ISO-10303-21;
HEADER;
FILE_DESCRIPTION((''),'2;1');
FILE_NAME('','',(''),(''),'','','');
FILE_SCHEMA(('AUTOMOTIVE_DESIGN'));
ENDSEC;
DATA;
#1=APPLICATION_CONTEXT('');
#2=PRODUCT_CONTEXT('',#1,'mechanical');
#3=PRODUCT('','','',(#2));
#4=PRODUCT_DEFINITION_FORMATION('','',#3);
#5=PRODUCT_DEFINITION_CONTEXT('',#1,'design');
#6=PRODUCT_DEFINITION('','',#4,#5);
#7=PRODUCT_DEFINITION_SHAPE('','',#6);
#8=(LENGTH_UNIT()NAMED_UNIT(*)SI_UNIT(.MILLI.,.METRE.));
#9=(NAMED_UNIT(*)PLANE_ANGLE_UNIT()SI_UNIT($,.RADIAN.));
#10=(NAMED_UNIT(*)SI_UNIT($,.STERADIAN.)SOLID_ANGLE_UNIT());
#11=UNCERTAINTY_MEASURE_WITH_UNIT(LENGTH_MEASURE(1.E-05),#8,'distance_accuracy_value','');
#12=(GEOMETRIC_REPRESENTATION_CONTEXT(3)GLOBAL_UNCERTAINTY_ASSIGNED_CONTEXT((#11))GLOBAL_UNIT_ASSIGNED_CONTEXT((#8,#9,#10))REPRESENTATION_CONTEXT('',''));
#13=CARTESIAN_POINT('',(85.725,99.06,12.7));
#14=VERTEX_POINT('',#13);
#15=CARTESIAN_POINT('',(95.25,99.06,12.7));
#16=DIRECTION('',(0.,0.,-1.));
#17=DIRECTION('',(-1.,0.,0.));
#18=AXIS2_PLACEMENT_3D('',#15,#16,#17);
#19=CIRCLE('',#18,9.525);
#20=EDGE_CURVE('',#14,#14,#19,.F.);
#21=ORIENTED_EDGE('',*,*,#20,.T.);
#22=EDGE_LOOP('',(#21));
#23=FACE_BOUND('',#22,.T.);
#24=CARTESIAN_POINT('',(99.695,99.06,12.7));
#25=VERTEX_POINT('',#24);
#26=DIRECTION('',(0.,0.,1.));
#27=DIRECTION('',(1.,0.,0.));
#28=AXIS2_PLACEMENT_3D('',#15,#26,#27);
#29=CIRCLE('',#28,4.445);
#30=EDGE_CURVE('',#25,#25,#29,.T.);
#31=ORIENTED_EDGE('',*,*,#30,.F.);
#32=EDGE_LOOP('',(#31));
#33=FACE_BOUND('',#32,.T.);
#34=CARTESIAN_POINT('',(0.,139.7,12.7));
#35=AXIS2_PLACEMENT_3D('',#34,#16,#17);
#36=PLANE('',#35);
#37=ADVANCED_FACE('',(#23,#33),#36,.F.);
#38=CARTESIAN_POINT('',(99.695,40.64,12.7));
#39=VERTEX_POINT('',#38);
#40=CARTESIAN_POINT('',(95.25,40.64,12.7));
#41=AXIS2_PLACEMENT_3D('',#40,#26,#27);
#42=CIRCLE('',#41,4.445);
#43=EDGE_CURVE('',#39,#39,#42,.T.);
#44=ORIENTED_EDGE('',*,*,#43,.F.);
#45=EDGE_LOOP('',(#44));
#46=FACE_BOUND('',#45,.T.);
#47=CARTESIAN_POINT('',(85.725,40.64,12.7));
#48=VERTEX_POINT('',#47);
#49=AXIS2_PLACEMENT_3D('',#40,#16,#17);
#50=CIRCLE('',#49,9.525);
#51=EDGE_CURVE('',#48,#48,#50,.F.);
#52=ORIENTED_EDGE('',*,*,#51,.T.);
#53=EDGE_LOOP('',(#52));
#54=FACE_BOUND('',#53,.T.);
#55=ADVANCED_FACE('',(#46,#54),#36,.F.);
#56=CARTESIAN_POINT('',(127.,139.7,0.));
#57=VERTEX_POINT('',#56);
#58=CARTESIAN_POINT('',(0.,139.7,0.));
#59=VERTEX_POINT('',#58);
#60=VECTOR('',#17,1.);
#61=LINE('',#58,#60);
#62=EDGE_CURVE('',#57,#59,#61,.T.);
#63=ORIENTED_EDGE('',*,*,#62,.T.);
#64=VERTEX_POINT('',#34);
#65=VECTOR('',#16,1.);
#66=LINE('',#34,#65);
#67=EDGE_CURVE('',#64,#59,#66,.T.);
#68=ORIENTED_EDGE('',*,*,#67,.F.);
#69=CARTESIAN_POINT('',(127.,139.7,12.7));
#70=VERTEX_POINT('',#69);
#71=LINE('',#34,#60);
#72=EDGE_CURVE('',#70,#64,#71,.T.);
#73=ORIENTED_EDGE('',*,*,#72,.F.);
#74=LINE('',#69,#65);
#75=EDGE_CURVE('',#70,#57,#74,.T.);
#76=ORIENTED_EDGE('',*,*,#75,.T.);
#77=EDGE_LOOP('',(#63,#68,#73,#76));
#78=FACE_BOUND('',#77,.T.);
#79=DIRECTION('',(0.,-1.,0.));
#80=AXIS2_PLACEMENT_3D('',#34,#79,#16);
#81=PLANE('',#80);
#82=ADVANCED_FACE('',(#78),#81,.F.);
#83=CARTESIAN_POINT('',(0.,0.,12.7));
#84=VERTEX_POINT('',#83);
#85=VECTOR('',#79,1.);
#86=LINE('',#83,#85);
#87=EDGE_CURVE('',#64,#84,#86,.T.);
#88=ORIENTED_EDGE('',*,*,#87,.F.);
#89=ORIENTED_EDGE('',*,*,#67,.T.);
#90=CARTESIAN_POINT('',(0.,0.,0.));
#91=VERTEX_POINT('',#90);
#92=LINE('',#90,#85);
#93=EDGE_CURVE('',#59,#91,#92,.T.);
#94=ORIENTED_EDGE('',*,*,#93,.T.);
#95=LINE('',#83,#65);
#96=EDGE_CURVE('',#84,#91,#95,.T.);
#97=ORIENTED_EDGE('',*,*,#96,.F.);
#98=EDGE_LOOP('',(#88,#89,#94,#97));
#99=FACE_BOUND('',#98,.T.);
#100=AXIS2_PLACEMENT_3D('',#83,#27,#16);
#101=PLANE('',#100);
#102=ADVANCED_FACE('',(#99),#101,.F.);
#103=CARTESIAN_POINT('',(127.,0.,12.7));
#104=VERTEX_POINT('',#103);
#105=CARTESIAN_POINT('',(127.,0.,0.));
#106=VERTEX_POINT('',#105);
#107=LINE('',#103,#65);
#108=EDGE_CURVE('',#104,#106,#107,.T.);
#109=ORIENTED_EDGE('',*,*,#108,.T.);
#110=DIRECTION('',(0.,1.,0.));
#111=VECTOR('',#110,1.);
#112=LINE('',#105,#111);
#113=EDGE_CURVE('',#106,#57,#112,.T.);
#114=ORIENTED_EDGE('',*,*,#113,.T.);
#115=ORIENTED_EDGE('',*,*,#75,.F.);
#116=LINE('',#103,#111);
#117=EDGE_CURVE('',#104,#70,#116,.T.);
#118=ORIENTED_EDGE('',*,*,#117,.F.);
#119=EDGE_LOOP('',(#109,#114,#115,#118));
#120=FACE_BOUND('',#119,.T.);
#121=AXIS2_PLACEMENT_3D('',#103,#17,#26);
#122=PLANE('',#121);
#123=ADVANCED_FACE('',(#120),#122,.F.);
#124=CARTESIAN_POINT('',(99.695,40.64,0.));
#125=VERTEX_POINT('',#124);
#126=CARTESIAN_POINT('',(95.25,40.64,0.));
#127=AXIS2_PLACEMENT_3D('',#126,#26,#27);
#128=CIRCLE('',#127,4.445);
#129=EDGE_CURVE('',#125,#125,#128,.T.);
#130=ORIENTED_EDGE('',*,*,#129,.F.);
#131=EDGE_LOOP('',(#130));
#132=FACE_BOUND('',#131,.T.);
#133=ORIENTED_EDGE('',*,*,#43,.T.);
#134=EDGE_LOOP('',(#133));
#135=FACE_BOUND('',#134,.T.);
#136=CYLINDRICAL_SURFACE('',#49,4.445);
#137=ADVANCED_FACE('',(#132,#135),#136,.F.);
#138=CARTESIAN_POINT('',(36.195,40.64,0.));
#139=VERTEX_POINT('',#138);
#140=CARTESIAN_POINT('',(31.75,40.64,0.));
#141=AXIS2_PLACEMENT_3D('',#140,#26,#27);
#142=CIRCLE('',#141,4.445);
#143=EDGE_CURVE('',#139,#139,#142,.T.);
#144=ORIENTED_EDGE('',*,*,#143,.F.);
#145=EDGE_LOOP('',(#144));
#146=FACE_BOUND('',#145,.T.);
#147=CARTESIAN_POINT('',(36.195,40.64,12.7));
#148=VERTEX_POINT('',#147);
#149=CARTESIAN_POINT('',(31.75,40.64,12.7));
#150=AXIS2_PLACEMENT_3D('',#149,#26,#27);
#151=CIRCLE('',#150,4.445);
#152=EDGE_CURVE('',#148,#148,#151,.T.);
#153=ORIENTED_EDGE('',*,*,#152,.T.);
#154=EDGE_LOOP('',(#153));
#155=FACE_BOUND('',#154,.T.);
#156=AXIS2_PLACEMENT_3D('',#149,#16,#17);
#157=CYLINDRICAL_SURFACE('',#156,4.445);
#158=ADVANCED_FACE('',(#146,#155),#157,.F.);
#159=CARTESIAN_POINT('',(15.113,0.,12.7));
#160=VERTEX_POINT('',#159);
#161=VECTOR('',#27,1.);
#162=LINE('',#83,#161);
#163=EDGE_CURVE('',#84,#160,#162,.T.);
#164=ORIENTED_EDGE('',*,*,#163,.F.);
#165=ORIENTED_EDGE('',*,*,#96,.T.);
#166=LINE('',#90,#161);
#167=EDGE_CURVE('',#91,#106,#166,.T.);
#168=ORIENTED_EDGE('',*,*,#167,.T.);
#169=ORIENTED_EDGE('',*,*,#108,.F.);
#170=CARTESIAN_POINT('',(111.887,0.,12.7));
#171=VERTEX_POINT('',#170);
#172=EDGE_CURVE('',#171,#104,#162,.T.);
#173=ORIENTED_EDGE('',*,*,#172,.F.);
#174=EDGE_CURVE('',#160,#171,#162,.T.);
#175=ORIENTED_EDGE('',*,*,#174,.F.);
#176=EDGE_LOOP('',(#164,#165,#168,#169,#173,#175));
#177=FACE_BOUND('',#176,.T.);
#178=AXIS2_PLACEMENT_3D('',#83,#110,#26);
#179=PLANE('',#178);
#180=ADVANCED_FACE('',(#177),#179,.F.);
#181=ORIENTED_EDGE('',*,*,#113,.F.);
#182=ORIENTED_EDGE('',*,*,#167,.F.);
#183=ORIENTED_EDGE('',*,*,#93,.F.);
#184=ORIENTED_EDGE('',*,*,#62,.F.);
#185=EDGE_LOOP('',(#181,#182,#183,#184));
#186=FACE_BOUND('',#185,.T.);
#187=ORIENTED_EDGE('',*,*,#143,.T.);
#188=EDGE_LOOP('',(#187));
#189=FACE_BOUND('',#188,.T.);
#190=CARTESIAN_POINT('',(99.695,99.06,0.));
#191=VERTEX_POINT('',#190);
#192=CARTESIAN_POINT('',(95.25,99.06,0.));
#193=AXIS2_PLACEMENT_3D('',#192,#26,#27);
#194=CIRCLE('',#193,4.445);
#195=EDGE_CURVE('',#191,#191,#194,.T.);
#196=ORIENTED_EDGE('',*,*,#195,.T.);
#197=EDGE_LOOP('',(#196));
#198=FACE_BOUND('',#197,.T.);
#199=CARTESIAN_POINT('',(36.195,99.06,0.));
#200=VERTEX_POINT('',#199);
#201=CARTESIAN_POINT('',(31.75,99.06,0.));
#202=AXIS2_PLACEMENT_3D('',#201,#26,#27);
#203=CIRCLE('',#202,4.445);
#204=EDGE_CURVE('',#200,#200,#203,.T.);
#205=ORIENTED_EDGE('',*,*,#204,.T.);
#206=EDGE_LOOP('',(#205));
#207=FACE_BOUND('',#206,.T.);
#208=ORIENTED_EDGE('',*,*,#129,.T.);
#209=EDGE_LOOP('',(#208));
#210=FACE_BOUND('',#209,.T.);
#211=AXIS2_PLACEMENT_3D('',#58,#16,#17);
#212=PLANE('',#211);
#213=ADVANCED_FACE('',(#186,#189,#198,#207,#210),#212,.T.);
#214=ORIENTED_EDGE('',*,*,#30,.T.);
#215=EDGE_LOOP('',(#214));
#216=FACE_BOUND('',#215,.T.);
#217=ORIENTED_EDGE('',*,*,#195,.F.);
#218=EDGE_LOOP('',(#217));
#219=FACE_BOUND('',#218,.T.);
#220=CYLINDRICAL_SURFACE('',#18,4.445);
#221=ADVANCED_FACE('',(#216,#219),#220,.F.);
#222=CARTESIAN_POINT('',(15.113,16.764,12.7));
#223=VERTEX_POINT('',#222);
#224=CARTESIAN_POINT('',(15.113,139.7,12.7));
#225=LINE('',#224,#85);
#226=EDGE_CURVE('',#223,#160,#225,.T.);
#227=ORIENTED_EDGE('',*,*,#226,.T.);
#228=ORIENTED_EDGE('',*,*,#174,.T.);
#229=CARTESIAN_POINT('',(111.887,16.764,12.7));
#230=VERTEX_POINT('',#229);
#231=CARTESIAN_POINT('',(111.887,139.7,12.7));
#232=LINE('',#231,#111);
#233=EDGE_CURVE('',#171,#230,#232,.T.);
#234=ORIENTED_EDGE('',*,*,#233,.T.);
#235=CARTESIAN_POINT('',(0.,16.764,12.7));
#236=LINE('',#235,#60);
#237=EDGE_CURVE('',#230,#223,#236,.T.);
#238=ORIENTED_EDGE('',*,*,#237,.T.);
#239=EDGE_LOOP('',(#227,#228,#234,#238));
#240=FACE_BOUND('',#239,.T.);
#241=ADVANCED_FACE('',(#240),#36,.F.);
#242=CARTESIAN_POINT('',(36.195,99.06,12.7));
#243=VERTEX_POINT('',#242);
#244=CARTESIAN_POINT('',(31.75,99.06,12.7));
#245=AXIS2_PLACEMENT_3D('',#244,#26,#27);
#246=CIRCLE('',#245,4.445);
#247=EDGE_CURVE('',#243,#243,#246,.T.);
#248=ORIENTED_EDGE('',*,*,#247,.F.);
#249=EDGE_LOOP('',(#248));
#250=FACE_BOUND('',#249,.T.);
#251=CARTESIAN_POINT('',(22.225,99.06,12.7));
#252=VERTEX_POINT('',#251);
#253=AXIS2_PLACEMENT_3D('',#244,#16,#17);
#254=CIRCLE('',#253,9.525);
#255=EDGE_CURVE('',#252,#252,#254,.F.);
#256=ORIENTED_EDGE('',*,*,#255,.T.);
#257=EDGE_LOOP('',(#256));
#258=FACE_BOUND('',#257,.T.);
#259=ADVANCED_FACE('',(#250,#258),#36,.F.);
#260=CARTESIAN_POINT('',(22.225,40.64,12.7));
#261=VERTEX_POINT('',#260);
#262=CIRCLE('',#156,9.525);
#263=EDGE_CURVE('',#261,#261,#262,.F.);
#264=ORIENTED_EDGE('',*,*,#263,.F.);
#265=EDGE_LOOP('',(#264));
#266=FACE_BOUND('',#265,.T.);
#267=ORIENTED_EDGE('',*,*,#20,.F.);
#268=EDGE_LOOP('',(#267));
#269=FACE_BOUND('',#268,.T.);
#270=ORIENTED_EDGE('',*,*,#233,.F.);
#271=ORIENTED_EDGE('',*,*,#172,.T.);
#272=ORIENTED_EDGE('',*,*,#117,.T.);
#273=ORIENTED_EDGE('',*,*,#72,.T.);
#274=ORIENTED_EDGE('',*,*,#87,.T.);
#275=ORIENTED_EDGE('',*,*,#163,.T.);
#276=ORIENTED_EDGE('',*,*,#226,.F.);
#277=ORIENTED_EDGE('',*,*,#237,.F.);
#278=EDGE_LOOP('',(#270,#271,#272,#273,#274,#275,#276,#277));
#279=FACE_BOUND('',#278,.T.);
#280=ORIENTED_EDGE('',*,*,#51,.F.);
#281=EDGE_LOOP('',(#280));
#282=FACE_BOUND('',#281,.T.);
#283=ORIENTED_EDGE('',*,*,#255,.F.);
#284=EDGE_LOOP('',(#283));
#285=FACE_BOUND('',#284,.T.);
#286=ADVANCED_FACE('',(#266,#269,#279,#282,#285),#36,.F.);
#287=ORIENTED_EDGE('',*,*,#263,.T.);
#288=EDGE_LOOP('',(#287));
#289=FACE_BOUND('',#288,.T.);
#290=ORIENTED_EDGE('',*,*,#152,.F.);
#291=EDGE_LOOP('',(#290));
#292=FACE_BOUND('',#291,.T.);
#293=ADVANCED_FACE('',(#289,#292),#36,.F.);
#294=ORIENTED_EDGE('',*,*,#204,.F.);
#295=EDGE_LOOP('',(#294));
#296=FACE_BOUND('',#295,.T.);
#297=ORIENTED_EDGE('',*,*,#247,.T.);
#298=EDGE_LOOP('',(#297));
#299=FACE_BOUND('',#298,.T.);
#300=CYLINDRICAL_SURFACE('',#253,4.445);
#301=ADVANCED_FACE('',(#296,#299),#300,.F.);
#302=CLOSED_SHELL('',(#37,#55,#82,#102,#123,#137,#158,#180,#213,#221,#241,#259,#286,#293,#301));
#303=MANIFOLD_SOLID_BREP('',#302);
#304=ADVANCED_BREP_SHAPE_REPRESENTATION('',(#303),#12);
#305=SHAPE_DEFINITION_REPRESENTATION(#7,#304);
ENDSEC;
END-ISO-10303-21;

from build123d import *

# Parameters (mm, degrees)
SKETCH1_W      = 127
SKETCH1_H      = 139.7
SKETCH1_R      = 4.445
EXTRUDE1_DEPTH = 12.7


with BuildPart() as part:
    # Sketch1 → Extrude1 (new body)
    with BuildSketch(Plane.XY):
        with Locations((63.5, 69.85)):
            Rectangle(SKETCH1_W, SKETCH1_H)
        with Locations((31.75, 40.64)):
            Circle(SKETCH1_R, mode=Mode.SUBTRACT)
        with Locations((95.25, 40.64)):
            Circle(SKETCH1_R, mode=Mode.SUBTRACT)
        with Locations((31.75, 99.06)):
            Circle(SKETCH1_R, mode=Mode.SUBTRACT)
        with Locations((95.25, 99.06)):
            Circle(SKETCH1_R, mode=Mode.SUBTRACT)
    extrude(amount=EXTRUDE1_DEPTH)


solid = part.part
